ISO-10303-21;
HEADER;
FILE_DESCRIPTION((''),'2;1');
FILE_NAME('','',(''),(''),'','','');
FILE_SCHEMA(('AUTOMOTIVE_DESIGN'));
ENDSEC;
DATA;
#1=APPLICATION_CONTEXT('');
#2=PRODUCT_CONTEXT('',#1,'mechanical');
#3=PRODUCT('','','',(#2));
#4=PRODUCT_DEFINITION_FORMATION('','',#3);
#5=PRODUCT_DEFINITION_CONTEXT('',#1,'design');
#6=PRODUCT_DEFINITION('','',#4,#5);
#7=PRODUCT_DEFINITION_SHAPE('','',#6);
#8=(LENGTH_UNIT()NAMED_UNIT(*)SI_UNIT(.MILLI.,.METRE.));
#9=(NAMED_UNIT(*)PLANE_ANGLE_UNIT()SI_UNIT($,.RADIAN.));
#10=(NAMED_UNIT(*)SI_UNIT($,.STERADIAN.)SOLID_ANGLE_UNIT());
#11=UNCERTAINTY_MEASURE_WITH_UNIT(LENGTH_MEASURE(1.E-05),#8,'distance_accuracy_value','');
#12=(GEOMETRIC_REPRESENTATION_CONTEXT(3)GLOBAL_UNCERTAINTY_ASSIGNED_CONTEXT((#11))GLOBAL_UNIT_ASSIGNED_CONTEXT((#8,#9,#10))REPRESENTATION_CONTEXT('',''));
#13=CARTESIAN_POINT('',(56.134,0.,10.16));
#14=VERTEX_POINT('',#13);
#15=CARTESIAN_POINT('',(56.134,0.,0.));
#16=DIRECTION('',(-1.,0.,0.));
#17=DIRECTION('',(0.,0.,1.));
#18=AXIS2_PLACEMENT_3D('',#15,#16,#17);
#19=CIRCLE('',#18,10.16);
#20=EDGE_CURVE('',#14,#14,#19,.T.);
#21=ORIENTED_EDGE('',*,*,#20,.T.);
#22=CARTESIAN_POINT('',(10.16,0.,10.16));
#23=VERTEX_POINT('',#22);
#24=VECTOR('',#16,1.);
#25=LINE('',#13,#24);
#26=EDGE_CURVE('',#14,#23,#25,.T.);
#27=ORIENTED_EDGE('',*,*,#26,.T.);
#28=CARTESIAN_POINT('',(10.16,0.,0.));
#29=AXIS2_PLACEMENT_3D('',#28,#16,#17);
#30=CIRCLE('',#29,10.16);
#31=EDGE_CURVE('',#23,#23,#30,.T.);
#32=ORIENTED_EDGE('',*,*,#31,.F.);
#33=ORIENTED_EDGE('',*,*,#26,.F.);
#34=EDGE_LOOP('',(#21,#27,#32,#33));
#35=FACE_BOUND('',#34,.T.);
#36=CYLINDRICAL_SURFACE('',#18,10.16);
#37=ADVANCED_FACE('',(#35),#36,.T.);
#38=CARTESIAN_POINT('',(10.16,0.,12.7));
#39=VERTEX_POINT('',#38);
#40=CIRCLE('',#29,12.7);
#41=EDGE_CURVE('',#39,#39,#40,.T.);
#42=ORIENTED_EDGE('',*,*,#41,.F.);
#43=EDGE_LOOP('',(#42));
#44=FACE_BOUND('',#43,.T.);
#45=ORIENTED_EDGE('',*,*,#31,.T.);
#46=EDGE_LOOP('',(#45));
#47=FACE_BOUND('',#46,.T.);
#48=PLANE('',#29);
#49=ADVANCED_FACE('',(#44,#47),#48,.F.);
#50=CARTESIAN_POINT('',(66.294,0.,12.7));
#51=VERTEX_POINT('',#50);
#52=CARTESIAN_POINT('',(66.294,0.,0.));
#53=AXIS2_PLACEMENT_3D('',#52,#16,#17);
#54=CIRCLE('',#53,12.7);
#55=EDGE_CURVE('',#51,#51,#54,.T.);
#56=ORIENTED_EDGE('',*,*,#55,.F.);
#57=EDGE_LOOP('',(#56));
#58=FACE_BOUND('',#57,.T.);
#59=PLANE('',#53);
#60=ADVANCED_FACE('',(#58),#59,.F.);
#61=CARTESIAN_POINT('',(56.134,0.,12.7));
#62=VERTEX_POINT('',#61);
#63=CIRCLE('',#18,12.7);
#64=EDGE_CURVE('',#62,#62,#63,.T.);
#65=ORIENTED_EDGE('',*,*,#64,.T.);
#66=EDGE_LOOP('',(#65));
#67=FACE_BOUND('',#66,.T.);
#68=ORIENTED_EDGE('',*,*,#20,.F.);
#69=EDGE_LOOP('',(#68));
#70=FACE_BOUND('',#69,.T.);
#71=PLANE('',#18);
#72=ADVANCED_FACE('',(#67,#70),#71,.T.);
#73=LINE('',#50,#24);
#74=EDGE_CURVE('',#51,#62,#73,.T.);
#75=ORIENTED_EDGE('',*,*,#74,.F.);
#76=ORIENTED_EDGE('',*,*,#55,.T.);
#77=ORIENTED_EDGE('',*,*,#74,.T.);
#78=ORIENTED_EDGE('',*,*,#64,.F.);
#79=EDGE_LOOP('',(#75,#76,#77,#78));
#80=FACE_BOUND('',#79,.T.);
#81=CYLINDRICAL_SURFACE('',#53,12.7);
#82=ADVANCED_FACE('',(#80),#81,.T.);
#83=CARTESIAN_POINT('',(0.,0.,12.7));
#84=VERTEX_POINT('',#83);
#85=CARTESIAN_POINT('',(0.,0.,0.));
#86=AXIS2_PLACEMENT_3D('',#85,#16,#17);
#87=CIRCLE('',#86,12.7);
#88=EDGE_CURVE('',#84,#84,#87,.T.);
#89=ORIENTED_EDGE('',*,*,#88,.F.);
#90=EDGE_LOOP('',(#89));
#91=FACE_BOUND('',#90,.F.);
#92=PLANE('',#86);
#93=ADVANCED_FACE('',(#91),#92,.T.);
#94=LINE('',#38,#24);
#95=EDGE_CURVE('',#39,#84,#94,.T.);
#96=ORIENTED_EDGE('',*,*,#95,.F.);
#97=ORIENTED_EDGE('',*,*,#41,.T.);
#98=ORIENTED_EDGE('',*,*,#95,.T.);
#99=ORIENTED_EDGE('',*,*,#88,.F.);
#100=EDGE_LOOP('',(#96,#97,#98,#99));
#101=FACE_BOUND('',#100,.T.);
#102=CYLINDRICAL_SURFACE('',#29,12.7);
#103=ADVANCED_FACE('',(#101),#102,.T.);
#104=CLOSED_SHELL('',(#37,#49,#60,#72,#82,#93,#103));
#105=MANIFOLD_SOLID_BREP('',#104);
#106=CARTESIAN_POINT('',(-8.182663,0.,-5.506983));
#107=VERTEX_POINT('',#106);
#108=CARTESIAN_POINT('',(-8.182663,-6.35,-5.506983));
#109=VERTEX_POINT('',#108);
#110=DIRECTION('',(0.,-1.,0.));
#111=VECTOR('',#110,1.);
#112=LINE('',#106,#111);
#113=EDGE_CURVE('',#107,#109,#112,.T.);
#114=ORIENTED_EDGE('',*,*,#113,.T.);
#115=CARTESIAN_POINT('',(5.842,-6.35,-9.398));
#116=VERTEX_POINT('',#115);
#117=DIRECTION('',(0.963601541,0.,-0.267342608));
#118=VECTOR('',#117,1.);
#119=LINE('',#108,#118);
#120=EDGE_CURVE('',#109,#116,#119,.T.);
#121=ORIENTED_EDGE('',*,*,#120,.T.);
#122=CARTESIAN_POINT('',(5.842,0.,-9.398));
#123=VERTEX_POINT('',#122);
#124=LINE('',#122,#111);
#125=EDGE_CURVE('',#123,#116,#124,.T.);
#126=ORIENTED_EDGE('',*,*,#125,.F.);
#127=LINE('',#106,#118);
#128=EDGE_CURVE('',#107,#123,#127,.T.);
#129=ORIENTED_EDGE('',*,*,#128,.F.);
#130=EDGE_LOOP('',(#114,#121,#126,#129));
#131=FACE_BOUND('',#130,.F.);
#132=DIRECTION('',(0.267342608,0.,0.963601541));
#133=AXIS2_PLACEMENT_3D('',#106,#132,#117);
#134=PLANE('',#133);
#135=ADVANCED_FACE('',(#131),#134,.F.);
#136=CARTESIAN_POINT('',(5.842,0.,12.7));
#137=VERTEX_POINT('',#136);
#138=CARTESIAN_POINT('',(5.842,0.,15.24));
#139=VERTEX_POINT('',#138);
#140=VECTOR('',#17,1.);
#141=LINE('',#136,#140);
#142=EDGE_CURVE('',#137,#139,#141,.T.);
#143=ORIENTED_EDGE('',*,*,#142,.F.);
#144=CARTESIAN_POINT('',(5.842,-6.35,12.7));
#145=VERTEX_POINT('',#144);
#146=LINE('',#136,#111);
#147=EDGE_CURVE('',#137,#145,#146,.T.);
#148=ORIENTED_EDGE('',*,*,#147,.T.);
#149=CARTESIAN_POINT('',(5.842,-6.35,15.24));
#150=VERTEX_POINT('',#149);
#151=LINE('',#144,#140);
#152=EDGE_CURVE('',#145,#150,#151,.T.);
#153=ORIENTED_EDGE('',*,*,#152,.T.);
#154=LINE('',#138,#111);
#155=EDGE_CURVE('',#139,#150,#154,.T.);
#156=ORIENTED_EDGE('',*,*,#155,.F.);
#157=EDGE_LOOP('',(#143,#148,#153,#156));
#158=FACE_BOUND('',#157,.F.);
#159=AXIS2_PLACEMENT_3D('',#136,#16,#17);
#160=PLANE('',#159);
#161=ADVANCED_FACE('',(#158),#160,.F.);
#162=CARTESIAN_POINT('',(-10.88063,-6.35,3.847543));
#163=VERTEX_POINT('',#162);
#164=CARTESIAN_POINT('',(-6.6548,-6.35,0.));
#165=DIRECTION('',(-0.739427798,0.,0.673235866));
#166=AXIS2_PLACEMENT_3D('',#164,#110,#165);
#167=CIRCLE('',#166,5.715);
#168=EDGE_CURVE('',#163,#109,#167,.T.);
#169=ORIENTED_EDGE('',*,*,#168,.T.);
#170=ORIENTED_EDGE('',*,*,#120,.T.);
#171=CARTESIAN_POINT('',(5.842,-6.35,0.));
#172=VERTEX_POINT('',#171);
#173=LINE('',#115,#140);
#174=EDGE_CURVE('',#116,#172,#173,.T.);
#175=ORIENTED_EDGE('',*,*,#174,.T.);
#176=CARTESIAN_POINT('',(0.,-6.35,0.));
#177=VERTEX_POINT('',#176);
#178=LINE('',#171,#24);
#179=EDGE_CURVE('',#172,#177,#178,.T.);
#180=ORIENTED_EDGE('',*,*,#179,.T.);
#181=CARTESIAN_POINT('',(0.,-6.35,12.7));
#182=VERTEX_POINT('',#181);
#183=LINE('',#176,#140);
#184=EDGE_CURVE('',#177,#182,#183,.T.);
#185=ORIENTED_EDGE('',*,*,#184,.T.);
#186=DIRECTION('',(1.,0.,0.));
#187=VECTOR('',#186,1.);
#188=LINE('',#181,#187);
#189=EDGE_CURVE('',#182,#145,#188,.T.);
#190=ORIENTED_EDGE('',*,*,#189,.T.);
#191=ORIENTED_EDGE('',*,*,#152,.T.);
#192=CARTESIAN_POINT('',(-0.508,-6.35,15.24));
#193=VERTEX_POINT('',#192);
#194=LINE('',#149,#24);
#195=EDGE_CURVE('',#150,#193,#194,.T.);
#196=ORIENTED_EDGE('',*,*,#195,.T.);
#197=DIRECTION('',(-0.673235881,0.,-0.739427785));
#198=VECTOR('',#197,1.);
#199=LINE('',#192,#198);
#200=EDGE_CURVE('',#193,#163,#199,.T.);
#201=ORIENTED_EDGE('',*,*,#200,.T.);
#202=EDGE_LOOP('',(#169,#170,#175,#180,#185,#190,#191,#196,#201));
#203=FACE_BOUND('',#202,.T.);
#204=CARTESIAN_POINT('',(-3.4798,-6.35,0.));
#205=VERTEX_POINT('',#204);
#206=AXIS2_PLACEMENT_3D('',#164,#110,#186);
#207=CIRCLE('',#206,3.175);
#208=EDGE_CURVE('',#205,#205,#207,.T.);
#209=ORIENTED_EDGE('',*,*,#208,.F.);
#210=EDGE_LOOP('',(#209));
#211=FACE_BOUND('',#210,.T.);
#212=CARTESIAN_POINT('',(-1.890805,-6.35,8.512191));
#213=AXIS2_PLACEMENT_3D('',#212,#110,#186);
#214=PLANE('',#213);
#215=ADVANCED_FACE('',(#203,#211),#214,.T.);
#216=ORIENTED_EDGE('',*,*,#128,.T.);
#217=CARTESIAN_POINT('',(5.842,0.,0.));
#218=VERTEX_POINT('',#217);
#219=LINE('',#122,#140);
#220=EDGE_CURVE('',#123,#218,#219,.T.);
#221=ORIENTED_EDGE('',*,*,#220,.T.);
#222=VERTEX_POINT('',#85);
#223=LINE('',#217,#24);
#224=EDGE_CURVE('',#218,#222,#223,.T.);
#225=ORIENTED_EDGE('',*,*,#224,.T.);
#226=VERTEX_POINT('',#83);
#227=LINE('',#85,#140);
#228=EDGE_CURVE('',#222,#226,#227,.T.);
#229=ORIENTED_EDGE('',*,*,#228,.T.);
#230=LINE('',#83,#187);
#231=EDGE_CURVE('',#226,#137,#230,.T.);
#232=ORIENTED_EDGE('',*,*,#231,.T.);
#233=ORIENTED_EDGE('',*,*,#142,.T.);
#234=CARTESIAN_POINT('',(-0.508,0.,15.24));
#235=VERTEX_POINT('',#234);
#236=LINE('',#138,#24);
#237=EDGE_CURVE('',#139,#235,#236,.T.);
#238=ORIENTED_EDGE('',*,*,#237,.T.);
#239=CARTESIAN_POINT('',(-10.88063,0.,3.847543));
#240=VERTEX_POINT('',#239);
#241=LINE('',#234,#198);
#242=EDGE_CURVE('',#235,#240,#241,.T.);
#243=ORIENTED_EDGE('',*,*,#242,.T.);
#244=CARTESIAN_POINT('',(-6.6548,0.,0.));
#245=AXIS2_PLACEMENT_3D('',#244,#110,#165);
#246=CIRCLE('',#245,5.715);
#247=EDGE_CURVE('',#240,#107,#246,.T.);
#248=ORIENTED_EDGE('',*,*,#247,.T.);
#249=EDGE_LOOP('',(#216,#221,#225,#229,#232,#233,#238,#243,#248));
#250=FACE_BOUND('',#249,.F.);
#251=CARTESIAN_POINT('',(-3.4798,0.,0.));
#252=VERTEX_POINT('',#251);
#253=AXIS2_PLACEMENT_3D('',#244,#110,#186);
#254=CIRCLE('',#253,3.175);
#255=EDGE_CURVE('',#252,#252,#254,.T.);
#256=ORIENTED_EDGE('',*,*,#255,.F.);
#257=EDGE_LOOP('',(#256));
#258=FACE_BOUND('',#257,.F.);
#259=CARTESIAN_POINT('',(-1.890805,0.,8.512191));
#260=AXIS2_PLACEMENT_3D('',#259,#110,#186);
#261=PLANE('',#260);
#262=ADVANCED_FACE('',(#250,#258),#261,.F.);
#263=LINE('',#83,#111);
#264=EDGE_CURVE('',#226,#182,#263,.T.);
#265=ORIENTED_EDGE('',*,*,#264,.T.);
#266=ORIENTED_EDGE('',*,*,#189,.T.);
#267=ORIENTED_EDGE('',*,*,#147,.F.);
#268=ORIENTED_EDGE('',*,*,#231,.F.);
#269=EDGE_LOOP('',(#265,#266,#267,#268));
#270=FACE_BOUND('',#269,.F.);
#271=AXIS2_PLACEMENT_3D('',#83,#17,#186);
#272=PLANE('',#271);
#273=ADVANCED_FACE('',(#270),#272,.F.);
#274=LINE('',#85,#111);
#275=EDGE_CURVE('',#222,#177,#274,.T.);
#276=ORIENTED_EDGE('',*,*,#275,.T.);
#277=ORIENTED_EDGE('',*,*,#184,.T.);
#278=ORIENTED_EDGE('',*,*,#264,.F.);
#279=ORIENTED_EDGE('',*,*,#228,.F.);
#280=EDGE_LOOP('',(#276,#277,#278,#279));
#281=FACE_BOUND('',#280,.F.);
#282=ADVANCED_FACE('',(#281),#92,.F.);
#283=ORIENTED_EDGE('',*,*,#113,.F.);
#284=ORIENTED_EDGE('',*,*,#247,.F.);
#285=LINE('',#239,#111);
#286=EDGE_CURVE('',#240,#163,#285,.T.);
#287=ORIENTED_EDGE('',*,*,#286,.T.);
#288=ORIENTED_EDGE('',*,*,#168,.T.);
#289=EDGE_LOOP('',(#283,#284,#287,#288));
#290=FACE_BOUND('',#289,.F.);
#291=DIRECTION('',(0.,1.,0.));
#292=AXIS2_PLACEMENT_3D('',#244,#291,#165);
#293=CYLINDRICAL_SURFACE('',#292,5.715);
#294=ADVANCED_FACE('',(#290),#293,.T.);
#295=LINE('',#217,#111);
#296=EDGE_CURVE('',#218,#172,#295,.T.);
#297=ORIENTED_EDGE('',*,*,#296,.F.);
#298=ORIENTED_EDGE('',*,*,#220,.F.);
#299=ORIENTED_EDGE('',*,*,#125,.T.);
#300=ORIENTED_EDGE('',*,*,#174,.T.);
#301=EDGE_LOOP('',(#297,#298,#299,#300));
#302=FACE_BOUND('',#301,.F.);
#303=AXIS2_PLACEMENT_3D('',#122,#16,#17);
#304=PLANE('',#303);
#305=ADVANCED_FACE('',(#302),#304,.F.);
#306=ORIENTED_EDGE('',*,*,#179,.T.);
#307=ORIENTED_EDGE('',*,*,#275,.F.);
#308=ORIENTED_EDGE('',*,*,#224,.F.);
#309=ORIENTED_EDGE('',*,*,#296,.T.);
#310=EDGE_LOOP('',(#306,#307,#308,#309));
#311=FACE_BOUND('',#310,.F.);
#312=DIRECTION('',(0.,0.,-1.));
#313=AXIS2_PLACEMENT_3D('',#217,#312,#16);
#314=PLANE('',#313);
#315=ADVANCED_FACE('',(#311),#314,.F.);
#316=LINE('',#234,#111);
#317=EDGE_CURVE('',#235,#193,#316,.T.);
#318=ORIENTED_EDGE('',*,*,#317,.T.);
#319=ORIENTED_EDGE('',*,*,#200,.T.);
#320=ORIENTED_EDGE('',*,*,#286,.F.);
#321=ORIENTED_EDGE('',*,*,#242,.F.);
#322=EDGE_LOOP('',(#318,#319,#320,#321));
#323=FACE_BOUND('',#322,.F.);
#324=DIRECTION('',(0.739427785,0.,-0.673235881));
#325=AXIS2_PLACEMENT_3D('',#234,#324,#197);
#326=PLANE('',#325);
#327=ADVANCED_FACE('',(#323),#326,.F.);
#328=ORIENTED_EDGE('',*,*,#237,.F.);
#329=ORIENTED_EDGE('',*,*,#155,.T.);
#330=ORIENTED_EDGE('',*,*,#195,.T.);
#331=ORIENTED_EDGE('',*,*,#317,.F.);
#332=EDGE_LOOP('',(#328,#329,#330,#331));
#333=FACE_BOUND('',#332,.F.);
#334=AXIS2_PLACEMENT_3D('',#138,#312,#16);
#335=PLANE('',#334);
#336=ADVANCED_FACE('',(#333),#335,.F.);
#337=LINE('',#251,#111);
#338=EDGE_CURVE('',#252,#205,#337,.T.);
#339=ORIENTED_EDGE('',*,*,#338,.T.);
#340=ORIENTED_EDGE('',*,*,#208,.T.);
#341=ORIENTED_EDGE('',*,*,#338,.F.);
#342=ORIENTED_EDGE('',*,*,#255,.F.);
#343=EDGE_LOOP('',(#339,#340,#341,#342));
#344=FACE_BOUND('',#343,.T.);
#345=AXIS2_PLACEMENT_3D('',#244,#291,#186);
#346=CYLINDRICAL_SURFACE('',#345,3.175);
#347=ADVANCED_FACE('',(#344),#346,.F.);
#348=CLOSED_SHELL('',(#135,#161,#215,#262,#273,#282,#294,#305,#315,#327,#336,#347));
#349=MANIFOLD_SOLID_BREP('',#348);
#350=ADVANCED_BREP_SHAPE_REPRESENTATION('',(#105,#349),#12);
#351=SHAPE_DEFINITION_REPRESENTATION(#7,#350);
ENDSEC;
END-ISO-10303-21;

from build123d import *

# Parameters (mm, degrees)
F0_W     = 5.842
F0_H     = 12.7
F0_R     = 3.175
F2_DEPTH = 6.35


with BuildPart() as f1:
    # F0 (on Front) → F1 (revolve)
    with BuildSketch(Plane.XZ):
        Polygon((5.842, 12.7), (5.842, 0), (66.294, 0), (66.294, 12.7), (56.134, 12.7), (56.134, 10.16), (10.16, 10.16), (10.16, 12.7), align=None)
        with Locations((2.921, 6.35)):
            Rectangle(F0_W, F0_H)
    revolve(axis=Axis((33.147, 0, 0), (-1, 0, 0)))


with BuildPart() as f2:
    # F0 (on Front) → F2 (new body)
    with BuildSketch(Plane.XZ):
        with BuildLine():
            Line((-0.9398, 0), (0, 0))
            Line((0, 0), (0, 12.7))
            Line((0, 12.7), (5.842, 12.7))
            Line((5.842, 12.7), (5.842, 15.24))
            Line((5.842, 15.24), (-0.508, 15.24))
            Line((-0.508, 15.24), (-10.88063, 3.847543))
            ThreePointArc((-10.88063, 3.847543), (-4.591961, 5.329721), (-0.9398, 0))
        make_face()
        with BuildLine():
            ThreePointArc((-8.182663, -5.506983), (-3.195791, -4.549339), (-0.9398, 0))
            ThreePointArc((-0.9398, 0), (-4.591961, 5.329721), (-10.88063, 3.847543))
            ThreePointArc((-10.88063, 3.847543), (-12.145978, -1.583727), (-8.182663, -5.506983))
        make_face()
        with Locations((-6.6548, 0)):
            Circle(F0_R, mode=Mode.SUBTRACT)
        with BuildLine():
            Line((5.842, 0), (0, 0))
            Line((0, 0), (-0.9398, 0))
            ThreePointArc((-0.9398, 0), (-3.195791, -4.549339), (-8.182663, -5.506983))
            Line((-8.182663, -5.506983), (5.842, -9.398))
            Line((5.842, -9.398), (5.842, 0))
        make_face()
    extrude(amount=F2_DEPTH)


solid = Compound([f1.part, f2.part])
